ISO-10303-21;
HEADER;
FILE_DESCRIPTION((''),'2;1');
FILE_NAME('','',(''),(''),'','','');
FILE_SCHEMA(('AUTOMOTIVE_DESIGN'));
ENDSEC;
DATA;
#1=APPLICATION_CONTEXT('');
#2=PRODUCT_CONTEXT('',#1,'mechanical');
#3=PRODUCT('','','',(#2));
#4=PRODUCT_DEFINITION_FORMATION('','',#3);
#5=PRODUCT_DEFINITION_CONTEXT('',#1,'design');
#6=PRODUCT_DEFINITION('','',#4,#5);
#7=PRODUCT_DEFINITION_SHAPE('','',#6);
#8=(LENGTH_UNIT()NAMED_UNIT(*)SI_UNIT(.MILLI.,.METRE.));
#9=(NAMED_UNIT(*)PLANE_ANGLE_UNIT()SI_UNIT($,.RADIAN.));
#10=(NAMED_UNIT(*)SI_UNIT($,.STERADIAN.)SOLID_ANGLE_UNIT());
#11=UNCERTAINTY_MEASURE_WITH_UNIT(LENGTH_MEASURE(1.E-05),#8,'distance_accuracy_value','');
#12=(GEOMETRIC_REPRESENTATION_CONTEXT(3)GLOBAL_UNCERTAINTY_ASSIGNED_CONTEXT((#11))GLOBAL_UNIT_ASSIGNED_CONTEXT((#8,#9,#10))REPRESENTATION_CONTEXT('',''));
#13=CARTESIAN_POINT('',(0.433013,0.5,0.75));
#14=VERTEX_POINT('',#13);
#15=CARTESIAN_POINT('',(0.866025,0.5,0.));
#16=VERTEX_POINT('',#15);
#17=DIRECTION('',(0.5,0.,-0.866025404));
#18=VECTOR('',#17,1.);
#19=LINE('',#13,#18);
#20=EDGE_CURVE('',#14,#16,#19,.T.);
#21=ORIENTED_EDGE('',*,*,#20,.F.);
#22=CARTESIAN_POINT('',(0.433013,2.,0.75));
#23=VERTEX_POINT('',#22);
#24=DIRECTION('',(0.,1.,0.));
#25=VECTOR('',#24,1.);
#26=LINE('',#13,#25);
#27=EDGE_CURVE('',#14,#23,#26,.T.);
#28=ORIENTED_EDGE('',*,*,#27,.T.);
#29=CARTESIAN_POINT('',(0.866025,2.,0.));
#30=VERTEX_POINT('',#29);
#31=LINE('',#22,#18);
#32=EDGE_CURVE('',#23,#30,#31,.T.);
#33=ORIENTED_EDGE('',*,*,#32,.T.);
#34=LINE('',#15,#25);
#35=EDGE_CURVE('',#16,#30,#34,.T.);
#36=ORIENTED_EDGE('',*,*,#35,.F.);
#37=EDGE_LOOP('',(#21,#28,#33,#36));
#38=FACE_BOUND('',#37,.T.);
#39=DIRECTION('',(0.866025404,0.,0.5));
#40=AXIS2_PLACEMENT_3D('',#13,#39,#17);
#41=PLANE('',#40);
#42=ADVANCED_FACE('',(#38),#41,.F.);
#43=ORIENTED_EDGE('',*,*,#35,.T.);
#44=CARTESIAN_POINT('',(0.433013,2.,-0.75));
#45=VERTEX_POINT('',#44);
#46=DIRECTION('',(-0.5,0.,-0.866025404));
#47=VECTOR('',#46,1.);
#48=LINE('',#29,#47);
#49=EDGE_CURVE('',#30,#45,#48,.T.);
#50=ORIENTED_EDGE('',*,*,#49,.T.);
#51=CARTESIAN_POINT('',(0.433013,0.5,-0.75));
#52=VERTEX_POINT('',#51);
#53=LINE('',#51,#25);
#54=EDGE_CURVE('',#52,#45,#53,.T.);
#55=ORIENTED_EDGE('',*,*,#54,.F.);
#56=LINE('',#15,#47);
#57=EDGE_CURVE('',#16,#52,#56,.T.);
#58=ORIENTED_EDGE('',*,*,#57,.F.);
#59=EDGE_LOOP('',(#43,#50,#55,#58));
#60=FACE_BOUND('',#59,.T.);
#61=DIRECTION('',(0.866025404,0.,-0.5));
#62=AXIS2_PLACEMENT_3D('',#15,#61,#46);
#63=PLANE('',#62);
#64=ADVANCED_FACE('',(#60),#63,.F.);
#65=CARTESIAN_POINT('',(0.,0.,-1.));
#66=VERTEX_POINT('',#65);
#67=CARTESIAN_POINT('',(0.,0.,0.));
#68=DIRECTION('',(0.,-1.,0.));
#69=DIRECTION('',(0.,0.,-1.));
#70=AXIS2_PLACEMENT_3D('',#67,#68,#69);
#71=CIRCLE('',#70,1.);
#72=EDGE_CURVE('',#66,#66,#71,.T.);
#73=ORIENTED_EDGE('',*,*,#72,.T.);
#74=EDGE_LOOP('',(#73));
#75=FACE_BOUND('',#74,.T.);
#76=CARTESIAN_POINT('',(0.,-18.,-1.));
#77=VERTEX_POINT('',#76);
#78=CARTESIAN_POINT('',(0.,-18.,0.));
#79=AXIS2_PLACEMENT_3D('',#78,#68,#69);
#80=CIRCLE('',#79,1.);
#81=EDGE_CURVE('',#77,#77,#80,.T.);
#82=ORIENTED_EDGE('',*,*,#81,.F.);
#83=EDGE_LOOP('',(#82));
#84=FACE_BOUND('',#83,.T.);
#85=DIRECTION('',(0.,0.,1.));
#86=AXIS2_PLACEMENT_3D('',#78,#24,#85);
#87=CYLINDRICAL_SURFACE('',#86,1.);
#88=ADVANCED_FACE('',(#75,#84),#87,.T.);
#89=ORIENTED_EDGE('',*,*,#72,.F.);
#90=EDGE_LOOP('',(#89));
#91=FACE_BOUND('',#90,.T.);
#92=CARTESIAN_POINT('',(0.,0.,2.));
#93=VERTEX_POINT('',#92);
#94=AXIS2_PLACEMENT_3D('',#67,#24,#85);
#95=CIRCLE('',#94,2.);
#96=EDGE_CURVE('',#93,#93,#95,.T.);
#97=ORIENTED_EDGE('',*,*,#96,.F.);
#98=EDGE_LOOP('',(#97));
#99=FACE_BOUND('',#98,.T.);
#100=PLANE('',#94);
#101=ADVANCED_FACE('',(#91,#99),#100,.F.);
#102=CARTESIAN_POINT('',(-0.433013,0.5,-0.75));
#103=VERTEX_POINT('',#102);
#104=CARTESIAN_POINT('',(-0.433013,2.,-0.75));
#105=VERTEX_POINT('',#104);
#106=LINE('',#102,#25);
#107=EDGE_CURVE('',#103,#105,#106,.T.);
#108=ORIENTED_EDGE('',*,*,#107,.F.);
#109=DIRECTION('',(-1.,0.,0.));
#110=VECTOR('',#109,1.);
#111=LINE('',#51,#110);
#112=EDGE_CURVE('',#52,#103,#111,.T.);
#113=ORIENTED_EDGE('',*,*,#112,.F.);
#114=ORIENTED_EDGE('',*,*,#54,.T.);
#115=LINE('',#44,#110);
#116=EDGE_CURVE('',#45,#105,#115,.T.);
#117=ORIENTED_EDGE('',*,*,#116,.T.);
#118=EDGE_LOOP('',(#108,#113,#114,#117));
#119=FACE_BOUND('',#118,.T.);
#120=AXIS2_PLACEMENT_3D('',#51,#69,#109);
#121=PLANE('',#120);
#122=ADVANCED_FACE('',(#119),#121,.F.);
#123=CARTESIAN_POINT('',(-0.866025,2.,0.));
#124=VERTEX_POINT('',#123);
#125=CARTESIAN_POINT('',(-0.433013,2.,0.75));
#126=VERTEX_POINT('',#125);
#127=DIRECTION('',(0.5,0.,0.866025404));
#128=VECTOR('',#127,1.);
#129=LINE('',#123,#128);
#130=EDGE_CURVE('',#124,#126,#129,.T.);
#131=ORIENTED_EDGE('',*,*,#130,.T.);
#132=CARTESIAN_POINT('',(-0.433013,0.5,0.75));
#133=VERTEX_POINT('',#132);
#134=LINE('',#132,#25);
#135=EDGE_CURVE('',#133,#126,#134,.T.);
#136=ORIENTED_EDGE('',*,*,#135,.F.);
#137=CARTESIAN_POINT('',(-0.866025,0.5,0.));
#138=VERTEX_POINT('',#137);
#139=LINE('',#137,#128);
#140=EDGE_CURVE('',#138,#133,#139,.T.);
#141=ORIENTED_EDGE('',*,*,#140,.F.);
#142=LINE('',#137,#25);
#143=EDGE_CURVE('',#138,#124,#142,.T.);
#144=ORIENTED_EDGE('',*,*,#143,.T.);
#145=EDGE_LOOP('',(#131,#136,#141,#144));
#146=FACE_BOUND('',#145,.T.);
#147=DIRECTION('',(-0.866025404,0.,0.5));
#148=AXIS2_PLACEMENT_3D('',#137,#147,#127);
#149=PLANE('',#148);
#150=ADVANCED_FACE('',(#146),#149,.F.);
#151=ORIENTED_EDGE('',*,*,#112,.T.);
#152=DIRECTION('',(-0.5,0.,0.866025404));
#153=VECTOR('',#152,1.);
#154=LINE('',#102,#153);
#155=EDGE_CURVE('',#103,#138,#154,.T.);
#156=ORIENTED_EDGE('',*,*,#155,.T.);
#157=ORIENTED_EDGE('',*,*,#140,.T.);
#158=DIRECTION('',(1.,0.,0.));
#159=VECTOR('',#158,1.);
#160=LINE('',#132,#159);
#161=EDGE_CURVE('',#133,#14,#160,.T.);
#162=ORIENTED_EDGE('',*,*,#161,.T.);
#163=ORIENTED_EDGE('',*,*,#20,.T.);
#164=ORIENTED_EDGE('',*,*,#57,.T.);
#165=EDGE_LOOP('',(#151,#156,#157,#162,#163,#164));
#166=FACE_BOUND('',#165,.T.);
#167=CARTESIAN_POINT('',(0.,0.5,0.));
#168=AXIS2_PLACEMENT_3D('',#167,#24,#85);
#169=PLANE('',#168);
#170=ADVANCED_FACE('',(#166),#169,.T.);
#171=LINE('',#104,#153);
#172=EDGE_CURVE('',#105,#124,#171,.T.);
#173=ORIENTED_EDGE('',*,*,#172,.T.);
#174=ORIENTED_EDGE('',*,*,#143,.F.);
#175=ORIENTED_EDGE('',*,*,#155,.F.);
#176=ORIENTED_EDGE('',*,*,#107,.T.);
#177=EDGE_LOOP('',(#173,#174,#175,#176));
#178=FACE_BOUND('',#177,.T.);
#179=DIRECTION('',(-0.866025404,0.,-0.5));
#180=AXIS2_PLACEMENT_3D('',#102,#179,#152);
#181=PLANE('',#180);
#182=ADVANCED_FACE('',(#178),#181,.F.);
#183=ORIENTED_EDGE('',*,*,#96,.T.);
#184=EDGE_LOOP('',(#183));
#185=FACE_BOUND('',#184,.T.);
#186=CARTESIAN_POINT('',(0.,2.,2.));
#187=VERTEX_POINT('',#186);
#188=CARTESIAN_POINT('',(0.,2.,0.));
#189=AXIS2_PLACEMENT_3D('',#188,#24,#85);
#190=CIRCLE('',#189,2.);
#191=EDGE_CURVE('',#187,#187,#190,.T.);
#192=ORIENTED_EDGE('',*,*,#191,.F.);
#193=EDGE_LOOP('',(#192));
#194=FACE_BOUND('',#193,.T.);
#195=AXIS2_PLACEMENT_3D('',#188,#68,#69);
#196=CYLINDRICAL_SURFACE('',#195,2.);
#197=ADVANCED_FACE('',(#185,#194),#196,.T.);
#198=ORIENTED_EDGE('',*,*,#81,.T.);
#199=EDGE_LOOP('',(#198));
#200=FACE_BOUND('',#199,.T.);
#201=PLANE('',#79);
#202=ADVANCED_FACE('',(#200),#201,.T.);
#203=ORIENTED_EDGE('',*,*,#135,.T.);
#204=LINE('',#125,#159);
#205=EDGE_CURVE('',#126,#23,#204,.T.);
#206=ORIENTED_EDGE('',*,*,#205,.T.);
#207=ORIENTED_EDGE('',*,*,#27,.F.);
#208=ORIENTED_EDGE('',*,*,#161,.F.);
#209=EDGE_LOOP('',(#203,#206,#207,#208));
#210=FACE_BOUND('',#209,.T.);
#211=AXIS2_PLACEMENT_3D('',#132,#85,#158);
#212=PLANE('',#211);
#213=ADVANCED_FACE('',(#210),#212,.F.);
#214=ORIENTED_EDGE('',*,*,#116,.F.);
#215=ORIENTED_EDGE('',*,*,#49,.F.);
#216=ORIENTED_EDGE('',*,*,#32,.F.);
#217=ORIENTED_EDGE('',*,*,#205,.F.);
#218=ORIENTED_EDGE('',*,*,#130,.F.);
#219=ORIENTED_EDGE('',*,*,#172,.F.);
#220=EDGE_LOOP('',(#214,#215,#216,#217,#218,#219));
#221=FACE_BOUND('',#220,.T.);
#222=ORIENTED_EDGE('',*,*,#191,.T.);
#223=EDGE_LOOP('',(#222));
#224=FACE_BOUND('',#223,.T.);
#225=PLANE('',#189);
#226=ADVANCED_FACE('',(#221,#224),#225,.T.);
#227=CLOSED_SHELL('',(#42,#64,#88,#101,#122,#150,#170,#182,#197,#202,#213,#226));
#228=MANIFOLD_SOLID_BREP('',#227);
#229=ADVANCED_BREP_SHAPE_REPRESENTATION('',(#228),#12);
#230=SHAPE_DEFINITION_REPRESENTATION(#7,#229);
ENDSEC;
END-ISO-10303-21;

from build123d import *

# Parameters (mm, degrees)
SKETCH_1_R            = 2
EXTRUDE_246_DEPTH     = 2
CUT_EXTRUDE_376_DEPTH = 1.5
SKETCH_3_R            = 1
EXTRUDE_477_DEPTH     = 18


with BuildPart() as part:
    # 草图1 → Extrude 246 (new body)
    with BuildSketch(Plane(origin=(0, 0, 0), x_dir=(1, 0, 0), z_dir=(0, 1, 0))):
        Circle(SKETCH_1_R)
    extrude(amount=EXTRUDE_246_DEPTH)

    # 草图2 → Cut-Extrude 376 (cut)
    with BuildSketch(Plane(origin=(0, 2, 0), x_dir=(1, 0, 0), z_dir=(0, 1, 0))):
        Polygon((0.866025404, 0), (0.433012702, 0.75), (-0.433012702, 0.75), (-0.866025404, 0), (-0.433012702, -0.75), (0.433012702, -0.75), align=None)
    extrude(amount=-CUT_EXTRUDE_376_DEPTH, mode=Mode.SUBTRACT)

    # 草图3 → Extrude 477 (add)
    with BuildSketch(Plane.XZ):
        Circle(SKETCH_3_R)
    extrude(amount=EXTRUDE_477_DEPTH)


solid = part.part
